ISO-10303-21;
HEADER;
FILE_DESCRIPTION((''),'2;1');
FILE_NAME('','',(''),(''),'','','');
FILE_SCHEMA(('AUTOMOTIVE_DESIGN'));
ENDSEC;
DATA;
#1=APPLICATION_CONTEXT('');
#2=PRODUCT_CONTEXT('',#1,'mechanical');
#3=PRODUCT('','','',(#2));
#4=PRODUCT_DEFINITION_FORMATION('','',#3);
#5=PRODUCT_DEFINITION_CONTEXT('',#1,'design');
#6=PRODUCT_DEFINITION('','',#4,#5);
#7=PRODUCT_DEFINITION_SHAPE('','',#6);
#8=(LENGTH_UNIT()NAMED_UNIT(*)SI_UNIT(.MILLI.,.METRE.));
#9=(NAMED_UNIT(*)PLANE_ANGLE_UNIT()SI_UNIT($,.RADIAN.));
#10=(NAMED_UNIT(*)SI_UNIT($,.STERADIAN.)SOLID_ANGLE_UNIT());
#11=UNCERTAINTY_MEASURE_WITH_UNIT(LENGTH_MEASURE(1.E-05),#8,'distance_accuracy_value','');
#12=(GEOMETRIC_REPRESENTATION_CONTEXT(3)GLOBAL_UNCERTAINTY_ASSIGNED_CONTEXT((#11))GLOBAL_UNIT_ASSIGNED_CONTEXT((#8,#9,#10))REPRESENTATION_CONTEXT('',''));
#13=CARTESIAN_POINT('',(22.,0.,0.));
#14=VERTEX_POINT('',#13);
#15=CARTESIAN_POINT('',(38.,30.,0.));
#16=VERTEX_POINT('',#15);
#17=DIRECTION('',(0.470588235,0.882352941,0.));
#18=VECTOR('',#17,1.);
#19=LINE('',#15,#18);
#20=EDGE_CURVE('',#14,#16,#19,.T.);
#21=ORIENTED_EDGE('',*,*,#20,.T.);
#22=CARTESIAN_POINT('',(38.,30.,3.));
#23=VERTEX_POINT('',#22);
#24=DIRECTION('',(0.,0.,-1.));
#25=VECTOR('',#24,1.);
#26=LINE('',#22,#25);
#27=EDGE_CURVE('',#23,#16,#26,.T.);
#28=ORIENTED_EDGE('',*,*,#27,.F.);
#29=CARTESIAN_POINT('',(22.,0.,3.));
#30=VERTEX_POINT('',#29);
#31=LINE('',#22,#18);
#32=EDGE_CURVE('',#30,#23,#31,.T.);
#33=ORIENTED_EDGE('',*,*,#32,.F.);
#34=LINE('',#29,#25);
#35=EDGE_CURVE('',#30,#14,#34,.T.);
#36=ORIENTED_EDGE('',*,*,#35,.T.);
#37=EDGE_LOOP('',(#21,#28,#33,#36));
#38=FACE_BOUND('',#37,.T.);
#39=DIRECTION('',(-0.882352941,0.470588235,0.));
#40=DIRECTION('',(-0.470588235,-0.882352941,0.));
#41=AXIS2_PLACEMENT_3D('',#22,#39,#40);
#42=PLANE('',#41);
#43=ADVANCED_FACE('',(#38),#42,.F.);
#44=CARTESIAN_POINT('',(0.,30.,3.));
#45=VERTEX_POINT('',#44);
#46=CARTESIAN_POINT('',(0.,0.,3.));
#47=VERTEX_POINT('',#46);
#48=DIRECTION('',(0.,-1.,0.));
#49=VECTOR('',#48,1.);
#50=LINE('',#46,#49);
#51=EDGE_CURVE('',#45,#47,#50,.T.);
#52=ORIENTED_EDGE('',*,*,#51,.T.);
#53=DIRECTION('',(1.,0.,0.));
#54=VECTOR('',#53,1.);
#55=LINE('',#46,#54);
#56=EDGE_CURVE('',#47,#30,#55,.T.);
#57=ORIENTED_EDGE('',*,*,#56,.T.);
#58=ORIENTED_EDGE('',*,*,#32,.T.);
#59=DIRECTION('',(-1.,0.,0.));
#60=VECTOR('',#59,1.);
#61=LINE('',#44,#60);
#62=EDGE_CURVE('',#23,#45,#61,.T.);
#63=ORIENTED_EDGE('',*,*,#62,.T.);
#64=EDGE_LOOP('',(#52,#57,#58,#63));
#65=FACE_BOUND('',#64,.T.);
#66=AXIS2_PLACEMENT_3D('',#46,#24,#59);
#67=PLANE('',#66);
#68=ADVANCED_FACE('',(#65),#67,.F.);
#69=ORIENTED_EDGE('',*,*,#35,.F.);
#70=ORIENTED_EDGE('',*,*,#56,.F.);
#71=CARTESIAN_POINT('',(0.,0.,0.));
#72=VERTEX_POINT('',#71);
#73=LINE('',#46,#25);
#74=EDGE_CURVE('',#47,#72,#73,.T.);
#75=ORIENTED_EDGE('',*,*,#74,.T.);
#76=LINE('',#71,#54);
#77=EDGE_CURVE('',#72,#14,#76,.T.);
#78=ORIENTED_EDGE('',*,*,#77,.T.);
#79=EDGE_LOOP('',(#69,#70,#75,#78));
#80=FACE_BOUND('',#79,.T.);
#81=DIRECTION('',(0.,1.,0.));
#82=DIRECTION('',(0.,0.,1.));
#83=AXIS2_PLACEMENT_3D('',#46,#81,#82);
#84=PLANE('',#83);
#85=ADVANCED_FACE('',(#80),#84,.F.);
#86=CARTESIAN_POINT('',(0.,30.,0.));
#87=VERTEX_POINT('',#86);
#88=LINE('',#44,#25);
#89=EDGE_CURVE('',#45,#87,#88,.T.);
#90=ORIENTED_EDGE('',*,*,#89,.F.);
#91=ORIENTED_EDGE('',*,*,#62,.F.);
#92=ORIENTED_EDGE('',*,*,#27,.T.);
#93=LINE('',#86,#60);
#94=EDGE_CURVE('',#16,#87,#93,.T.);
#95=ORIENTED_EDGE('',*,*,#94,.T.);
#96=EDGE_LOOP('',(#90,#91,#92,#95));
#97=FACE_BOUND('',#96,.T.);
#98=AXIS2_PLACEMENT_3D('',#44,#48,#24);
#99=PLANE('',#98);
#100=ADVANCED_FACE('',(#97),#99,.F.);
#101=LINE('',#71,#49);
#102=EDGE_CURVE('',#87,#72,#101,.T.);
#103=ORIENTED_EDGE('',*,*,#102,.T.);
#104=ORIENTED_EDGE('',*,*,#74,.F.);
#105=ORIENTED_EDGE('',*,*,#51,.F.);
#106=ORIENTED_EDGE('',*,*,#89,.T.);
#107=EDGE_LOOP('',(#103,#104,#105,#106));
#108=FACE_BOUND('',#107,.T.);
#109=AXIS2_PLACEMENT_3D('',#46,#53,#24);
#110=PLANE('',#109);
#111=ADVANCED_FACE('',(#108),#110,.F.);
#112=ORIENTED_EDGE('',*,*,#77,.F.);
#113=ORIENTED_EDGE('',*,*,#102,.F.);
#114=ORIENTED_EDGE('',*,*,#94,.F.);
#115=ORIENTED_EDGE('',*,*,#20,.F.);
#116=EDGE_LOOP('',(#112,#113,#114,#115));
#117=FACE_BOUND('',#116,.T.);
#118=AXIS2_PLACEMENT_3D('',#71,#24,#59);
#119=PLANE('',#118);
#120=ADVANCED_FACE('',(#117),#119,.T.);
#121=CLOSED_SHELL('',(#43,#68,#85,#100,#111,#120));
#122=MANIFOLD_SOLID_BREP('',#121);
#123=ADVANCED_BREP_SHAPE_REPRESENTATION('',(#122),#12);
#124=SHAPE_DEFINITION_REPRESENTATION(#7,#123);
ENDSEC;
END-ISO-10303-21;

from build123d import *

# Parameters (mm, degrees)
RESSALTO_EXTRUS_O1_DEPTH = 3


with BuildPart() as part:
    # Esboço1 → Ressalto-extrusão1 (new body)
    with BuildSketch(Plane.XY):
        Polygon((0, 0), (22, 0), (38, 30), (0, 30), align=None)
    extrude(amount=RESSALTO_EXTRUS_O1_DEPTH)


solid = part.part
